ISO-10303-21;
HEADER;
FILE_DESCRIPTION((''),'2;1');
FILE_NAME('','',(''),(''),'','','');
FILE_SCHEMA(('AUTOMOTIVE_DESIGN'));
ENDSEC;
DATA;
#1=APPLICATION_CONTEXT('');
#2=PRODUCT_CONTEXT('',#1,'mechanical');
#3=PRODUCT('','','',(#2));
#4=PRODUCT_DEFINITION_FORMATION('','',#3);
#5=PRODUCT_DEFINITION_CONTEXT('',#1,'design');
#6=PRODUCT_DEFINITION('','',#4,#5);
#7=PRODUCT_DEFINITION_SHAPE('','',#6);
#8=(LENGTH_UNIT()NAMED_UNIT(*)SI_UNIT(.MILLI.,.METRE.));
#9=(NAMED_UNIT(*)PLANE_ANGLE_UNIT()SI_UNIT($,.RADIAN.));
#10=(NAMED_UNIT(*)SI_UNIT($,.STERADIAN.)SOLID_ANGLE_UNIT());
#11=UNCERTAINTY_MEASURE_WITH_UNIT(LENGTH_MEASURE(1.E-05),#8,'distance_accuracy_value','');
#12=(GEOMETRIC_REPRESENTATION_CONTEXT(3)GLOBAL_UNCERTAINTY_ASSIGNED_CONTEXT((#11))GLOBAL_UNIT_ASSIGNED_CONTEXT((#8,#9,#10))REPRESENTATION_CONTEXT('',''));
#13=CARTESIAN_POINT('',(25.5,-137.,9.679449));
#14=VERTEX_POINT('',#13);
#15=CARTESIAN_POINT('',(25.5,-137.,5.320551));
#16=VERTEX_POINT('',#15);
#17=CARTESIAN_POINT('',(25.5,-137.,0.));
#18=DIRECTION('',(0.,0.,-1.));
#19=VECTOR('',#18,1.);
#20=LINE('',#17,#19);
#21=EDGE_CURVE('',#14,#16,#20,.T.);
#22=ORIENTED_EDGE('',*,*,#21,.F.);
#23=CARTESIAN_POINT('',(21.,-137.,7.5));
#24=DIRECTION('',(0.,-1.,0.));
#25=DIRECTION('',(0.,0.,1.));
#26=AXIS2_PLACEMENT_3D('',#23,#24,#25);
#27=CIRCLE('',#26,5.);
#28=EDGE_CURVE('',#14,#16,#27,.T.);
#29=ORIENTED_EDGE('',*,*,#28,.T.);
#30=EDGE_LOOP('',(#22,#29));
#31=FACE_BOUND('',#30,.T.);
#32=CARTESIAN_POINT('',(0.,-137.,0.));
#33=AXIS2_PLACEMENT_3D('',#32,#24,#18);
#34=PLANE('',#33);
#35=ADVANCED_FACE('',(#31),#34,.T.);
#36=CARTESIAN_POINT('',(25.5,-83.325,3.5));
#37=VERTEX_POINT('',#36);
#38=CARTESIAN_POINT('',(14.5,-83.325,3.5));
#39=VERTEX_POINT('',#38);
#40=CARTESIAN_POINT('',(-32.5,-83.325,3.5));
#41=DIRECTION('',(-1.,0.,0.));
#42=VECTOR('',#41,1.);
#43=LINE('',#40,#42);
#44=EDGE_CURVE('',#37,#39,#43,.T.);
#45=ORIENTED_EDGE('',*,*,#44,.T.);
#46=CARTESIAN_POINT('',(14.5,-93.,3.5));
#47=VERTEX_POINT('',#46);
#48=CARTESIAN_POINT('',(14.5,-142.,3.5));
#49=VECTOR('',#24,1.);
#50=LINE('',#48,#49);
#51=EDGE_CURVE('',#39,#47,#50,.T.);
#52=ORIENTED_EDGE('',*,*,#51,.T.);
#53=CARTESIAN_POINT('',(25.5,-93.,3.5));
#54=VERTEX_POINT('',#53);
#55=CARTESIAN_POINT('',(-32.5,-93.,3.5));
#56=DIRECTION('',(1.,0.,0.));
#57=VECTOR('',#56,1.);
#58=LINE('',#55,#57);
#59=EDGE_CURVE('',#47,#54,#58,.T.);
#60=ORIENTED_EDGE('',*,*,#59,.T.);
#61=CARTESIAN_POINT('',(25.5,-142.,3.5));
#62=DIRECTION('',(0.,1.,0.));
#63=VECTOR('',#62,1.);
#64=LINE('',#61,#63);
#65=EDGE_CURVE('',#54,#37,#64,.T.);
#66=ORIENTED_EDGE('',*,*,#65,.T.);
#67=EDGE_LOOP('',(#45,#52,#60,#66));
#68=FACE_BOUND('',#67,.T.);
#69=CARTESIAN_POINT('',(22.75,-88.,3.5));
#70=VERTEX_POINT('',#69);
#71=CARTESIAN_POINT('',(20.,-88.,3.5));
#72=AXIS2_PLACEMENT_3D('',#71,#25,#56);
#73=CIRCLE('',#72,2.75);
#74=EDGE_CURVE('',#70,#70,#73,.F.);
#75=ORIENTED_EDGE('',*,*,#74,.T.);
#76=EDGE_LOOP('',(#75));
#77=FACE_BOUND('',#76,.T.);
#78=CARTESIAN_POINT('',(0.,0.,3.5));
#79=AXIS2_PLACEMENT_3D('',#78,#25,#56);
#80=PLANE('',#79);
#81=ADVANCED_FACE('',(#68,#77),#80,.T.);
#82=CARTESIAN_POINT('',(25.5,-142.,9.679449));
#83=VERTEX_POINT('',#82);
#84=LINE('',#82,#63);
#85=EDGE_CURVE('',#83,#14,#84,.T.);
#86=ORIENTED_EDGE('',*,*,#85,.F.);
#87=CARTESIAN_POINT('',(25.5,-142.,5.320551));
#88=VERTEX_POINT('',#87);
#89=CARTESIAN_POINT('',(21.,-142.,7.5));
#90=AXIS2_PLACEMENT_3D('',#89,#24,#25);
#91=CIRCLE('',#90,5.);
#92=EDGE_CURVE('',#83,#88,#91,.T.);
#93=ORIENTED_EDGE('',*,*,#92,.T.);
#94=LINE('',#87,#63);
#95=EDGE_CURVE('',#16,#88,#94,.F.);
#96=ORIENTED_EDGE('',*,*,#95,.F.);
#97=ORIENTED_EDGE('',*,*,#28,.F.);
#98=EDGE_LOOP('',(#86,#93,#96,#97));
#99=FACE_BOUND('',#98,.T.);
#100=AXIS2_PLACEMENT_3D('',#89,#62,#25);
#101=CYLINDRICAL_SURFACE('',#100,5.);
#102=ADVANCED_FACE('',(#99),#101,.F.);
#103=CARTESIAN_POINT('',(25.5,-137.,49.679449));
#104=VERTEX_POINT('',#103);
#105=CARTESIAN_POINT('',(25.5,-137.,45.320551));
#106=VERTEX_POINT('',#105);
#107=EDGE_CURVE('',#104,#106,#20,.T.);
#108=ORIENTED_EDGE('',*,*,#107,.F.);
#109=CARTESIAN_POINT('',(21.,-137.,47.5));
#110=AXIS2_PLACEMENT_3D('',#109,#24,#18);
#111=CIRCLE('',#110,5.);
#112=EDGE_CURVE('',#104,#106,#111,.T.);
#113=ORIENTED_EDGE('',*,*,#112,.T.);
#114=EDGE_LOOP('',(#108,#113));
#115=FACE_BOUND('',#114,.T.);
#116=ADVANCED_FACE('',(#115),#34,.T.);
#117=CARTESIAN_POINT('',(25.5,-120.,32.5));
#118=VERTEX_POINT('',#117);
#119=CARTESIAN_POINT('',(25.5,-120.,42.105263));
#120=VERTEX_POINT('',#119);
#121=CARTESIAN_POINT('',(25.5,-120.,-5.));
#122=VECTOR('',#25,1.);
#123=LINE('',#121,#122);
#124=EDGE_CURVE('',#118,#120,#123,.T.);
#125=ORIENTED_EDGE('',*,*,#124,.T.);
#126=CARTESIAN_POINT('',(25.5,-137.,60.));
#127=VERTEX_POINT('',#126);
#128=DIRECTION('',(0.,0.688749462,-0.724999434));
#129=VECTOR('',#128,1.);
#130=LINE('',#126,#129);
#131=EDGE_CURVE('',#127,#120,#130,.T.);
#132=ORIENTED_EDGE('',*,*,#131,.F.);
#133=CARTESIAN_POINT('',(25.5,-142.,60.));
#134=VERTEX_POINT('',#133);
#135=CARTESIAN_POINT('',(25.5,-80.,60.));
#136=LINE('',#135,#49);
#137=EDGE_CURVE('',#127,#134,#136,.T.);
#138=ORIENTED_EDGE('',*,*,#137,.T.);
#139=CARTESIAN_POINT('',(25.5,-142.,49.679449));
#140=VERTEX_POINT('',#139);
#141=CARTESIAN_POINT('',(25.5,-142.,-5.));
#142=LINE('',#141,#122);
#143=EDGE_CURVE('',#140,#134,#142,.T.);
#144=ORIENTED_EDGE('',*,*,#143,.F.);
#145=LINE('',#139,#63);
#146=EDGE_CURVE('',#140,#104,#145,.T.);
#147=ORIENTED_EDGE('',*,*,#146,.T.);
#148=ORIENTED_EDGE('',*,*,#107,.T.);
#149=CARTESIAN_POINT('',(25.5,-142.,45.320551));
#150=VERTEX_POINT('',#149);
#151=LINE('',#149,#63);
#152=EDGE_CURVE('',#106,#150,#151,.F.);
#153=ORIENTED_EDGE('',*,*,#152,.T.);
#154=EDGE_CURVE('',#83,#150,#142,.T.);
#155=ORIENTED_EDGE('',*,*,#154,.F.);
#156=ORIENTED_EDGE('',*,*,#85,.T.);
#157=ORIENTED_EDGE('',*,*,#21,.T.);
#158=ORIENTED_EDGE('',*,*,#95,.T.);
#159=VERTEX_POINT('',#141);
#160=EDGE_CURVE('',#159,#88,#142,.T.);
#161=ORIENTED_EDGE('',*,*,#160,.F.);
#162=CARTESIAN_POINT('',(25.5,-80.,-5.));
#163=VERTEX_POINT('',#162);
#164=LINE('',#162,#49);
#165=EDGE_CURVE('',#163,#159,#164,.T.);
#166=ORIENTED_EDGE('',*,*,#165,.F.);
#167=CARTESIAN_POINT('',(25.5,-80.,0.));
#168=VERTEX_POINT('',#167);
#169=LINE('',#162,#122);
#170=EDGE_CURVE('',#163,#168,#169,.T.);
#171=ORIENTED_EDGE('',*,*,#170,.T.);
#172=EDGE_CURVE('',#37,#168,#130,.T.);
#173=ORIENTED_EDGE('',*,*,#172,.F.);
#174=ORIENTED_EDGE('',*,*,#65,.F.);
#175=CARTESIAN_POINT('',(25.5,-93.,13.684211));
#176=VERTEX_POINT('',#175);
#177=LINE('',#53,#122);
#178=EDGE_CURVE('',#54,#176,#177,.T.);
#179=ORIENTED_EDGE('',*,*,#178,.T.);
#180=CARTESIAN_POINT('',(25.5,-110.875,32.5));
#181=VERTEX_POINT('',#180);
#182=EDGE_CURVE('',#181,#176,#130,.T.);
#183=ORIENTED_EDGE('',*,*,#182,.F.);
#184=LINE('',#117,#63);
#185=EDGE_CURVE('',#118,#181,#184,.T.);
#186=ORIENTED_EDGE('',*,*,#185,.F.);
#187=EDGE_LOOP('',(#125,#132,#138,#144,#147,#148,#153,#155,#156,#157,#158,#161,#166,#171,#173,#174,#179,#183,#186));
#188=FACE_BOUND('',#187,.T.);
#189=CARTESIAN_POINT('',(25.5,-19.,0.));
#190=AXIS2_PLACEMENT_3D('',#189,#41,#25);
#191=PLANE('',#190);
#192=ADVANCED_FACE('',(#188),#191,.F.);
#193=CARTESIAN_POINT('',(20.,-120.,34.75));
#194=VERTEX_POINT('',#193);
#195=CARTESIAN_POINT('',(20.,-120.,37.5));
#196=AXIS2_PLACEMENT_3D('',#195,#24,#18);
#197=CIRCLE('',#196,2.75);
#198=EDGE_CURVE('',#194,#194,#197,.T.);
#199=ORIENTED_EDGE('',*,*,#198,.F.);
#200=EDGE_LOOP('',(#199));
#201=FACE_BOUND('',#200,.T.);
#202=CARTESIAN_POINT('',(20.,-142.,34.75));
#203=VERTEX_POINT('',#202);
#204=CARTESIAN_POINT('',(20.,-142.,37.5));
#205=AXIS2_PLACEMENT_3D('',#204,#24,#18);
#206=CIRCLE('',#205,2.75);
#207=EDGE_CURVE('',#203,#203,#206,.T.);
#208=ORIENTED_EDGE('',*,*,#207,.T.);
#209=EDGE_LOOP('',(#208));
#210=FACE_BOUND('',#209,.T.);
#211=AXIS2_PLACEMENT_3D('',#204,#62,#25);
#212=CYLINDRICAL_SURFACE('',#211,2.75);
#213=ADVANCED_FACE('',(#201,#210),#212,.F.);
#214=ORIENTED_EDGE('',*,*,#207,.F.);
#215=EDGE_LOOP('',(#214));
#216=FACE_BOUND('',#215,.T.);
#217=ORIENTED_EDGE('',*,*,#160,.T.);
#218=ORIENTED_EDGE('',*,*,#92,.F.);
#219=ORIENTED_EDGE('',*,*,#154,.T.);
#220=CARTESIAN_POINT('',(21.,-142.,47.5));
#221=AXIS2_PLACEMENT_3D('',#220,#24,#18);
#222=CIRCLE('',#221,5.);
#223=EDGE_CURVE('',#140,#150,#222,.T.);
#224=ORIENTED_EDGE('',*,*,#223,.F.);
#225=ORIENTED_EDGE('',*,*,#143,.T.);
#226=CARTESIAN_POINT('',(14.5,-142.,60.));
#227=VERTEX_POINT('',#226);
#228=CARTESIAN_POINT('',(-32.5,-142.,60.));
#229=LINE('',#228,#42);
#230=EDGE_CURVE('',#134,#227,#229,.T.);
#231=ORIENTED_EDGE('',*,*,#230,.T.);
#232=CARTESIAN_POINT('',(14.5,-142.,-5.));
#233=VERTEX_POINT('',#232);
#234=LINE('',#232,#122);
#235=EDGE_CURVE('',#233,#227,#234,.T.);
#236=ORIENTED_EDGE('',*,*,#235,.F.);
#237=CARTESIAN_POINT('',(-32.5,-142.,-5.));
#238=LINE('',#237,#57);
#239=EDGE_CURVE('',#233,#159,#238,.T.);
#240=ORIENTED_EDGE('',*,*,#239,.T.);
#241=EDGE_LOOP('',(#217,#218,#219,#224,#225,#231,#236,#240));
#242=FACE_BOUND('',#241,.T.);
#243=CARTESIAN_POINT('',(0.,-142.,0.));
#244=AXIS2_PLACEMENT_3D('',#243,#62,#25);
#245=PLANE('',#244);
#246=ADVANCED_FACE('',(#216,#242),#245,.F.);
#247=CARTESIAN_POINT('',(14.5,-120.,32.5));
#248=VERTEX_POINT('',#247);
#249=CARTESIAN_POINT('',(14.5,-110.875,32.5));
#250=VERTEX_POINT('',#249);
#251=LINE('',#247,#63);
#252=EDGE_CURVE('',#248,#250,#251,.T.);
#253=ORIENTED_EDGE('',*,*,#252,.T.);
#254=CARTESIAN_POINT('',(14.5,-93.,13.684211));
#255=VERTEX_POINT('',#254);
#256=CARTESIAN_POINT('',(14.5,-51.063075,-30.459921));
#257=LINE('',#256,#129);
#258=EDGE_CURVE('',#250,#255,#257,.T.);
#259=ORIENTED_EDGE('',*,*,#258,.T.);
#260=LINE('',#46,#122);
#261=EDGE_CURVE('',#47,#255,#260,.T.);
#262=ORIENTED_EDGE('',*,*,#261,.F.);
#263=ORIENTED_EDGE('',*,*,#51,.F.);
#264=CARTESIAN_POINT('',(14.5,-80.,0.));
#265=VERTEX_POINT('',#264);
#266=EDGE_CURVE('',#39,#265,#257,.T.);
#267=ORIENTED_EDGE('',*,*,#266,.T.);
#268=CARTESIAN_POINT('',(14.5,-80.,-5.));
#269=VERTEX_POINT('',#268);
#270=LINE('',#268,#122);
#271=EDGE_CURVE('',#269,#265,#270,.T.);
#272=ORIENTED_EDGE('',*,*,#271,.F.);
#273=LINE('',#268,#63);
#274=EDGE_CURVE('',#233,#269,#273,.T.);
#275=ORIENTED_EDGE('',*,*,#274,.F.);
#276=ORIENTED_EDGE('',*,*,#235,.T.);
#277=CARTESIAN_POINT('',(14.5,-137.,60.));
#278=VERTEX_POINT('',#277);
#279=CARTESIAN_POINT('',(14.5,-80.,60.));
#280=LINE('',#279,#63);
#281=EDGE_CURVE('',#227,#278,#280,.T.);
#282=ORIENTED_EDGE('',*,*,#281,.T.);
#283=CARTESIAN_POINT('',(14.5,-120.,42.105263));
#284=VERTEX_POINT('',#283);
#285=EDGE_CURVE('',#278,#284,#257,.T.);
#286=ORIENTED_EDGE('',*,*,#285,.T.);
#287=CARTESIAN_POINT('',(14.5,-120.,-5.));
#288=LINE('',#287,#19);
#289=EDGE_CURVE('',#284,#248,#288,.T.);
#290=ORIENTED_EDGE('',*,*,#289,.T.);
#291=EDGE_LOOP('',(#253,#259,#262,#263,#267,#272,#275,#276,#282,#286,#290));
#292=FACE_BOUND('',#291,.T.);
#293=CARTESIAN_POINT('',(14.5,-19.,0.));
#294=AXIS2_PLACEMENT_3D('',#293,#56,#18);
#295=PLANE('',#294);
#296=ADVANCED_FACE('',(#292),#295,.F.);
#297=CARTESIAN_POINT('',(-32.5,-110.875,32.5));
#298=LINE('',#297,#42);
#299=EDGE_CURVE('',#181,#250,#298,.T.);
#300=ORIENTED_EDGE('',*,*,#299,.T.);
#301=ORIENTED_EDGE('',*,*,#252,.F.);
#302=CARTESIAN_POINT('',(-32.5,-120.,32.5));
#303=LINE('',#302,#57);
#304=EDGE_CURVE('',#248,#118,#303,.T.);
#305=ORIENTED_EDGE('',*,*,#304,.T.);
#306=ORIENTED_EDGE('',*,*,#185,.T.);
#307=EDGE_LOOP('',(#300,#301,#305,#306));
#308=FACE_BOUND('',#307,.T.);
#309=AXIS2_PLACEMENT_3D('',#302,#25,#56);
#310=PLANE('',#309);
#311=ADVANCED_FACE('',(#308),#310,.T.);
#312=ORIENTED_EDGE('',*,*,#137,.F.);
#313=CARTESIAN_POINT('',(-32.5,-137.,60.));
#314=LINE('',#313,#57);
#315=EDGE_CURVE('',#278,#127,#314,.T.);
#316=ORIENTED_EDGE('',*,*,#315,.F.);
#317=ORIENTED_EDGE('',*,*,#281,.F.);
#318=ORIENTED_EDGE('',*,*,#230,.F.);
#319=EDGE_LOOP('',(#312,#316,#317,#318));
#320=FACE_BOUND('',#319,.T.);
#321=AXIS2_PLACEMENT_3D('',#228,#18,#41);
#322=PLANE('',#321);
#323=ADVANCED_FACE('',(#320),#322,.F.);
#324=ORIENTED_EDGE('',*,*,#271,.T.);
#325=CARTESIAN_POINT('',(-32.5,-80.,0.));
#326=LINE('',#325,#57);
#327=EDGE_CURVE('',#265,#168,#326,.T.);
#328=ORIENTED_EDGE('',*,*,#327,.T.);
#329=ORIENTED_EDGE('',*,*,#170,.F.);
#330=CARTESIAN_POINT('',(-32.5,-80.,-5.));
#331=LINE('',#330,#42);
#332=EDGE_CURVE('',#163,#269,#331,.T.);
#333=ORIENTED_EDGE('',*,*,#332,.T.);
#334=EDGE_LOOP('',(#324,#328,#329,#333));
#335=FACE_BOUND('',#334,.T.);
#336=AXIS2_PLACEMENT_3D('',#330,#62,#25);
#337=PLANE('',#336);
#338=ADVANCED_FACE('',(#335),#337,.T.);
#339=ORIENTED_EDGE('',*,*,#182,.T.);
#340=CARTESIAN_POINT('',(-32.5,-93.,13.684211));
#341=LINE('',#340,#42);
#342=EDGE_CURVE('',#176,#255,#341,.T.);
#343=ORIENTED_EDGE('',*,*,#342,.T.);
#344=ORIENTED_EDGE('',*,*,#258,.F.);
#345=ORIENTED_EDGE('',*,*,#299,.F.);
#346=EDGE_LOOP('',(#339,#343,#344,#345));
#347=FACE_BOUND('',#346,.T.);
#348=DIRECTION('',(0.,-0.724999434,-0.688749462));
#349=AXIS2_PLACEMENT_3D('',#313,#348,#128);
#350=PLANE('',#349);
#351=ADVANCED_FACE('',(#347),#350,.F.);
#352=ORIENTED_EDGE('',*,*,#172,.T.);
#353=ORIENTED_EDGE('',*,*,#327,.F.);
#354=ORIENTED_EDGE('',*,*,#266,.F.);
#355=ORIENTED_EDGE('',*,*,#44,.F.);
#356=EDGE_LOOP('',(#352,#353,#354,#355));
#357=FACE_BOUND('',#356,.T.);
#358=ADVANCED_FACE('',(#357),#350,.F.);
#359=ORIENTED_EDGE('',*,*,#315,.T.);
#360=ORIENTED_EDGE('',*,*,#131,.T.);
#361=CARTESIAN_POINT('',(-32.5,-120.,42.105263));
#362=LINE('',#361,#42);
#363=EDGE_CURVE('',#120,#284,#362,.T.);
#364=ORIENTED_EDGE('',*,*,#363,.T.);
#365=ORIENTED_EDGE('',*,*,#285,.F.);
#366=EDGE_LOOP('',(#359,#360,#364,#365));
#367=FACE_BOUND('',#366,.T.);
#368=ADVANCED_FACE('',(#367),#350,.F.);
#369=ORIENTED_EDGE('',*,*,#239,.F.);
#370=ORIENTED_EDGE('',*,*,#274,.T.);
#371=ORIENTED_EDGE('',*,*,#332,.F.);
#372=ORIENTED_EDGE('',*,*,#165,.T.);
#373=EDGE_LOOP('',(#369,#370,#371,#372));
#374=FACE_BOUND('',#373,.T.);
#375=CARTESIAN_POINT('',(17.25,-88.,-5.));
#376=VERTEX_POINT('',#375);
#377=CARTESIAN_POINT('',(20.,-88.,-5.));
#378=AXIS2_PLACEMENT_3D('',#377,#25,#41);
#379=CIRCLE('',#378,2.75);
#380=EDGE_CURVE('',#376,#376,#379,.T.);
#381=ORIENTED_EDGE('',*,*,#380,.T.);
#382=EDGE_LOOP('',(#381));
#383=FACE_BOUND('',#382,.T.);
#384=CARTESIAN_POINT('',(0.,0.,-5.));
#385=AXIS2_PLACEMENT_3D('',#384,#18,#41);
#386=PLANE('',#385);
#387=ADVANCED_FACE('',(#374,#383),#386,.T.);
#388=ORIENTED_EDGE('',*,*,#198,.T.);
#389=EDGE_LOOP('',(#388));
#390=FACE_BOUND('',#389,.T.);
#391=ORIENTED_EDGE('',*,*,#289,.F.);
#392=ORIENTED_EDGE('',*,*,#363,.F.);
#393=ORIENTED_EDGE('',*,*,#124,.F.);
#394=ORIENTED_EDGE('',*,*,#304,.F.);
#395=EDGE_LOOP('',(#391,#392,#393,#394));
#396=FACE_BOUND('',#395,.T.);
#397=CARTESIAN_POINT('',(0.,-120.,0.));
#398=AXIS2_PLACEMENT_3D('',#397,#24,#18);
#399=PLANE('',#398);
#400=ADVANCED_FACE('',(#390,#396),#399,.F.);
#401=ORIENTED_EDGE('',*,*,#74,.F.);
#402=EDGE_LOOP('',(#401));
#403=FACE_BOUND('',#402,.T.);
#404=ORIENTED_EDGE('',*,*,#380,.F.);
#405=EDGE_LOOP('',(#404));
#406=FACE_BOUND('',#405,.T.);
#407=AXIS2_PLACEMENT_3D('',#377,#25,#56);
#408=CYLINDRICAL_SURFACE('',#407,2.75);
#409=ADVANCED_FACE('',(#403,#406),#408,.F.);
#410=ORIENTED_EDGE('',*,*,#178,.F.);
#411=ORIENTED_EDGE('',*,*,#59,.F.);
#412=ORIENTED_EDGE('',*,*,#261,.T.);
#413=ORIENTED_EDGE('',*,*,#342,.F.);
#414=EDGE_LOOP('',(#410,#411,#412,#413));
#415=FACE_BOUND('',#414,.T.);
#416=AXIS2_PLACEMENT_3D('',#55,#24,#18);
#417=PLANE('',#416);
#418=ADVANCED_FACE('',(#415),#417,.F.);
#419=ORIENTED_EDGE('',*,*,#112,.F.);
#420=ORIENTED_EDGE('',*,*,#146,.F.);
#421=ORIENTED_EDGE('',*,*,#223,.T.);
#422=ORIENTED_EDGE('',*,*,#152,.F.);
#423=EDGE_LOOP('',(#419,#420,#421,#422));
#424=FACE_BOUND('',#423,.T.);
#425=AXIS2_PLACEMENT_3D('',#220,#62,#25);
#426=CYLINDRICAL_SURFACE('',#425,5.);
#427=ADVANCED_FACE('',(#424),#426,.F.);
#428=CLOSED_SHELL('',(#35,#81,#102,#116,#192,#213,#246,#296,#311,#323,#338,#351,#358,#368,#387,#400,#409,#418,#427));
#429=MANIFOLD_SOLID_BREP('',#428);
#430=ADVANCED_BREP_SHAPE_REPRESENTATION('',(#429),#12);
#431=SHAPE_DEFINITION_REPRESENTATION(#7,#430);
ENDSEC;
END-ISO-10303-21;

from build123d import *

# Parameters (mm, degrees)
SKETCH1_W           = 65
SKETCH1_H           = 57
BOSS_EXTRUDE1_DEPTH = 5
SKETCH2_W           = 65
SKETCH2_H           = 65
SKETCH2_R           = 2.75
SKETCH2_R_2         = 5
BOSS_EXTRUDE2_DEPTH = 5
SKETCH3_W           = 11
SKETCH3_H           = 60
BOSS_EXTRUDE7_DEPTH = 57
CUT_EXTRUDE2_DEPTH  = 165.705798319
SKETCH6_R           = 2.75
CUT_EXTRUDE3_DEPTH  = 89.911472826
SKETCH7_R           = 2.75
CUT_EXTRUDE4_DEPTH  = 160.515673211
CUT_EXTRUDE5_START  = 57
SKETCH8_W           = 11
SKETCH8_H           = 10
CUT_EXTRUDE5_DEPTH  = 40
CUT_EXTRUDE6_START  = 60
SKETCH9_W           = 11
SKETCH9_H           = 10
CUT_EXTRUDE6_DEPTH  = 56.5
SKETCH10_W          = 7
SKETCH10_H          = 62
SKETCH10_W_2        = 29
CUT_EXTRUDE7_DEPTH  = 160.515673211


with BuildPart() as part:
    # Sketch1 → Boss-Extrude1 (new body)
    with BuildSketch(Plane.XY):
        with Locations((0, -108.5)):
            Rectangle(SKETCH1_W, SKETCH1_H)
    extrude(amount=-BOSS_EXTRUDE1_DEPTH)

    # Sketch2 → Boss-Extrude2 (add)
    with BuildSketch(Plane.XZ.offset(137)):
        with Locations((0, 27.5)):
            Rectangle(SKETCH2_W, SKETCH2_H)
        with Locations(Location((20, 37.5, 0), (0, 0, 270))):
            Circle(SKETCH2_R, mode=Mode.SUBTRACT)
        with Locations(Location((21, 47.5, 0), (0, 0, 270))):
            Circle(SKETCH2_R_2, mode=Mode.SUBTRACT)
        with Locations(Location((-20, 47.5, 0), (0, 0, 270))):
            Circle(SKETCH2_R_2, mode=Mode.SUBTRACT)
        with Locations(Location((-20, 7.5, 0), (0, 0, 90))):
            Circle(SKETCH2_R_2, mode=Mode.SUBTRACT)
        with Locations(Location((21, 7.5, 0), (0, 0, 90))):
            Circle(SKETCH2_R_2, mode=Mode.SUBTRACT)
        with Locations(Location((-20, 37.5, 0), (0, 0, 90))):
            Circle(SKETCH2_R, mode=Mode.SUBTRACT)
    extrude(amount=BOSS_EXTRUDE2_DEPTH)

    # Sketch3 → Boss-Extrude7 (add)
    with BuildSketch(Plane(origin=(0, -137, 0), x_dir=(1, 0, 0), z_dir=(0, 1, 0))):
        with Locations((20, -30)):
            Rectangle(SKETCH3_W, SKETCH3_H)
        with Locations((-20, -30)):
            Rectangle(SKETCH3_W, SKETCH3_H)
    extrude(amount=BOSS_EXTRUDE7_DEPTH)

    # Sketch5 → Cut-Extrude2 (cut, through all)
    with BuildSketch(Plane(origin=(25.5, 0, 0), x_dir=(0, 0, -1), z_dir=(1, 0, 0))):
        Polygon((-60, -137), (0, -80), (-60, -80), align=None)
    extrude(amount=-CUT_EXTRUDE2_DEPTH, mode=Mode.SUBTRACT)

    # Sketch6 → Cut-Extrude3 (cut, through all)
    with BuildSketch(Plane.XZ.offset(137)):
        with Locations(Location((-20, 37.5, 0), (0, 0, 90))):
            Circle(SKETCH6_R)
        with Locations(Location((20, 37.5, 0), (0, 0, 90))):
            Circle(SKETCH6_R)
    extrude(amount=-CUT_EXTRUDE3_DEPTH, mode=Mode.SUBTRACT)

    # Sketch7 → Cut-Extrude4 (cut, through all)
    with BuildSketch(Plane.XY.offset(60)):
        with Locations((-20, -88)):
            Circle(SKETCH7_R)
        with Locations(Location((20, -88, 0), (0, 0, 270))):
            Circle(SKETCH7_R)
    extrude(amount=-CUT_EXTRUDE4_DEPTH, mode=Mode.SUBTRACT)

    # Sketch8 → Cut-Extrude5 (cut)
    with BuildSketch(Plane(origin=(0, -137, 0), x_dir=(1, 0, 0), z_dir=(0, 1, 0)).offset(CUT_EXTRUDE5_START)):
        with Locations((20, -37.5)):
            Rectangle(SKETCH8_W, SKETCH8_H)
        with Locations((-20, -37.5)):
            Rectangle(SKETCH8_W, SKETCH8_H)
    extrude(amount=-CUT_EXTRUDE5_DEPTH, mode=Mode.SUBTRACT)

    # Sketch9 → Cut-Extrude6 (cut)
    with BuildSketch(Plane.XY.offset(CUT_EXTRUDE6_START)):
        with Locations((-20, -88)):
            Rectangle(SKETCH9_W, SKETCH9_H)
        with Locations((20, -88)):
            Rectangle(SKETCH9_W, SKETCH9_H)
    extrude(amount=-CUT_EXTRUDE6_DEPTH, mode=Mode.SUBTRACT)

    # Sketch10 → Cut-Extrude7 (cut, through all)
    with BuildSketch(Plane.XY.offset(60)):
        with Locations((-29, -111)):
            Rectangle(SKETCH10_W, SKETCH10_H)
        with Locations((0, -111)):
            Rectangle(SKETCH10_W_2, SKETCH10_H)
        with Locations((29, -111)):
            Rectangle(SKETCH10_W, SKETCH10_H)
    extrude(amount=-CUT_EXTRUDE7_DEPTH, mode=Mode.SUBTRACT)


with BuildPart() as cut_extrude7_piece_1:
    # of the separate pieces the step leaves, piece 1, a body of its own (cut_extrude7_pieces)
    add(part.part.solids().sort_by_distance((25.5, -80, 0))[0])


with BuildPart() as cut_extrude7_piece_2:
    # of the separate pieces the step leaves, piece 2, a body of its own (cut_extrude7_pieces)
    add(part.part.solids().sort_by_distance((-14.5, -80, 0))[0])


solid = cut_extrude7_piece_1.part
